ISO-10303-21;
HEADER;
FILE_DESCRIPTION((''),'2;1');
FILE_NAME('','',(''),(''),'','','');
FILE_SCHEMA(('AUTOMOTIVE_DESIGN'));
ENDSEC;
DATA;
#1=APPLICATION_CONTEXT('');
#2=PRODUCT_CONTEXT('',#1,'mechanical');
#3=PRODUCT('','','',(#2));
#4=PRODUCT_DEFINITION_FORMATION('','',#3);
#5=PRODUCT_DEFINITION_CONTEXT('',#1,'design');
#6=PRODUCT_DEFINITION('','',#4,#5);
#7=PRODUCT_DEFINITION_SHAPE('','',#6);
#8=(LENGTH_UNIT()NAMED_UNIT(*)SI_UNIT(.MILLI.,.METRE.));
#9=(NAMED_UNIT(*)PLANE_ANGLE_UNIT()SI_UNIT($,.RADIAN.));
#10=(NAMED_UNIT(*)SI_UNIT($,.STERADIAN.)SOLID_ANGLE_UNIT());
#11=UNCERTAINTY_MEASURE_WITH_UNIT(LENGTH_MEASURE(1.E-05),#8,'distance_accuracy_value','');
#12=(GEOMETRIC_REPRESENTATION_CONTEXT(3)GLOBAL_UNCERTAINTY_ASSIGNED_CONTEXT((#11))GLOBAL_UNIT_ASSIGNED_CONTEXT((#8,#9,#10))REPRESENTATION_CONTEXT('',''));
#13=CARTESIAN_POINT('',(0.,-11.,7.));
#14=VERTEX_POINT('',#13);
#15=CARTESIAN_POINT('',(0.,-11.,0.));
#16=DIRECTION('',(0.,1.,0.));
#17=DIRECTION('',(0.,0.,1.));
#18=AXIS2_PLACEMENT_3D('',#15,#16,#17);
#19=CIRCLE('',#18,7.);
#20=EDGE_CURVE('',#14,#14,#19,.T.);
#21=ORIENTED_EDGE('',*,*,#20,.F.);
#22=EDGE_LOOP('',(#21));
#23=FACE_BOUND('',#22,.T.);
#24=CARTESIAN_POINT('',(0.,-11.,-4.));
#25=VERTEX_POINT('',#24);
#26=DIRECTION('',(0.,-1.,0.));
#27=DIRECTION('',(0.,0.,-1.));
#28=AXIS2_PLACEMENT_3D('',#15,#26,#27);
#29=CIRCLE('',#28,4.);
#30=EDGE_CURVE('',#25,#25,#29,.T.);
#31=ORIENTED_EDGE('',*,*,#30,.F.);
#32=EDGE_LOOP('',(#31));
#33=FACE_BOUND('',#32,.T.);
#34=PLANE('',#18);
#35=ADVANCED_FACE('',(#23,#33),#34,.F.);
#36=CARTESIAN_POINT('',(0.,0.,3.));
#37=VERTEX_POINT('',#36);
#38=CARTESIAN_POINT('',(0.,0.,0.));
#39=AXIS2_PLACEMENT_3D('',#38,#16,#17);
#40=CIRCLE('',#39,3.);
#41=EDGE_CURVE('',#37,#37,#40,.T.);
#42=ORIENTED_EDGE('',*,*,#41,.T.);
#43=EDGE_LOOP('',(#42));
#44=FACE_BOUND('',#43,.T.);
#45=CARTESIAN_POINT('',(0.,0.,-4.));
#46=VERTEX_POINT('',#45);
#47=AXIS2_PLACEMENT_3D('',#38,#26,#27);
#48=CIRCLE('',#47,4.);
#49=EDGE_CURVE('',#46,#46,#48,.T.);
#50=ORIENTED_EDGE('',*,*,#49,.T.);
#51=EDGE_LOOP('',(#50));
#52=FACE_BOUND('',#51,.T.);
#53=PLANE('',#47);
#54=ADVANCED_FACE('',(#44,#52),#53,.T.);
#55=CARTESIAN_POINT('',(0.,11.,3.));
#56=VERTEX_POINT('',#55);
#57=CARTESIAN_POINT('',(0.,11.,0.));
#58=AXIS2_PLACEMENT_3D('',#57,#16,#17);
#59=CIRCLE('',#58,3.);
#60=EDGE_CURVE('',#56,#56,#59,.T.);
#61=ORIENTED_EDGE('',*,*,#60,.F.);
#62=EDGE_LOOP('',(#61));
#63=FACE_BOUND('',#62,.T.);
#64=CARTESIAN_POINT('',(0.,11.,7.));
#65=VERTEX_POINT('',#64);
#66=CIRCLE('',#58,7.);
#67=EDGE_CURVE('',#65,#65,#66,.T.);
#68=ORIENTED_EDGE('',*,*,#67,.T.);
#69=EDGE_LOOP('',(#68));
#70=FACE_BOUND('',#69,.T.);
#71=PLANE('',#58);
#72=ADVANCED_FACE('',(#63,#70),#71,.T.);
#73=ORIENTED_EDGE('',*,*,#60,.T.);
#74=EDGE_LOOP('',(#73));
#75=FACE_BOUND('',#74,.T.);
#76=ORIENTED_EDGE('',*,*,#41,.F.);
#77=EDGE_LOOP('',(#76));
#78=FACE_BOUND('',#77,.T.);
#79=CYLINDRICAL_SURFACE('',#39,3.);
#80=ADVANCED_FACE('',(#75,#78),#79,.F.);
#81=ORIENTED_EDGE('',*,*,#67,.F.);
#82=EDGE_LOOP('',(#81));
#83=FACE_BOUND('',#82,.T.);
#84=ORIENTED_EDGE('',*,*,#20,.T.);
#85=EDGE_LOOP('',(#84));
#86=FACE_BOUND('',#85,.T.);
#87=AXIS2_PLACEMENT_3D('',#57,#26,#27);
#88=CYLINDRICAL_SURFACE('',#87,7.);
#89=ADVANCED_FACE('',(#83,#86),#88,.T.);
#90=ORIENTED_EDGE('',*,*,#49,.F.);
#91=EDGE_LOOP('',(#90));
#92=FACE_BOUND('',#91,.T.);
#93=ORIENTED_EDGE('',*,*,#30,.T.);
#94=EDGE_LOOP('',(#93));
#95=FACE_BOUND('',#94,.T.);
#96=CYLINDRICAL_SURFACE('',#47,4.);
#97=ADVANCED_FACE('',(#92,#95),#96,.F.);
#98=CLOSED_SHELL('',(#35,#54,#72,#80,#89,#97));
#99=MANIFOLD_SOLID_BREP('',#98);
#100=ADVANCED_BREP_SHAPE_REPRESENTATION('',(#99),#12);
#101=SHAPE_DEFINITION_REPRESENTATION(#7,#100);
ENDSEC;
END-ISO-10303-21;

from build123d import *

# Parameters (mm, degrees)
SKETCH1_R           = 7
BOSS_EXTRUDE1_DEPTH = 11
SKETCH2_R           = 3
CUT_EXTRUDE1_DEPTH  = 11
SKETCH3_R           = 4
CUT_EXTRUDE2_DEPTH  = 11


with BuildPart() as part:
    # Sketch1 → Boss-Extrude1 (new body, symmetric)
    with BuildSketch(Plane(origin=(0, 0, 0), x_dir=(1, 0, 0), z_dir=(0, 1, 0))):
        Circle(SKETCH1_R)
    extrude(amount=BOSS_EXTRUDE1_DEPTH, both=True)

    # Sketch2 → Cut-Extrude1 (cut)
    with BuildSketch(Plane(origin=(0, 11, 0), x_dir=(1, 0, 0), z_dir=(0, 1, 0))):
        Circle(SKETCH2_R)
    extrude(amount=-CUT_EXTRUDE1_DEPTH, mode=Mode.SUBTRACT)

    # Sketch3 → Cut-Extrude2 (cut)
    with BuildSketch(Plane.XZ.offset(11)):
        Circle(SKETCH3_R)
    extrude(amount=-CUT_EXTRUDE2_DEPTH, mode=Mode.SUBTRACT)


solid = part.part
